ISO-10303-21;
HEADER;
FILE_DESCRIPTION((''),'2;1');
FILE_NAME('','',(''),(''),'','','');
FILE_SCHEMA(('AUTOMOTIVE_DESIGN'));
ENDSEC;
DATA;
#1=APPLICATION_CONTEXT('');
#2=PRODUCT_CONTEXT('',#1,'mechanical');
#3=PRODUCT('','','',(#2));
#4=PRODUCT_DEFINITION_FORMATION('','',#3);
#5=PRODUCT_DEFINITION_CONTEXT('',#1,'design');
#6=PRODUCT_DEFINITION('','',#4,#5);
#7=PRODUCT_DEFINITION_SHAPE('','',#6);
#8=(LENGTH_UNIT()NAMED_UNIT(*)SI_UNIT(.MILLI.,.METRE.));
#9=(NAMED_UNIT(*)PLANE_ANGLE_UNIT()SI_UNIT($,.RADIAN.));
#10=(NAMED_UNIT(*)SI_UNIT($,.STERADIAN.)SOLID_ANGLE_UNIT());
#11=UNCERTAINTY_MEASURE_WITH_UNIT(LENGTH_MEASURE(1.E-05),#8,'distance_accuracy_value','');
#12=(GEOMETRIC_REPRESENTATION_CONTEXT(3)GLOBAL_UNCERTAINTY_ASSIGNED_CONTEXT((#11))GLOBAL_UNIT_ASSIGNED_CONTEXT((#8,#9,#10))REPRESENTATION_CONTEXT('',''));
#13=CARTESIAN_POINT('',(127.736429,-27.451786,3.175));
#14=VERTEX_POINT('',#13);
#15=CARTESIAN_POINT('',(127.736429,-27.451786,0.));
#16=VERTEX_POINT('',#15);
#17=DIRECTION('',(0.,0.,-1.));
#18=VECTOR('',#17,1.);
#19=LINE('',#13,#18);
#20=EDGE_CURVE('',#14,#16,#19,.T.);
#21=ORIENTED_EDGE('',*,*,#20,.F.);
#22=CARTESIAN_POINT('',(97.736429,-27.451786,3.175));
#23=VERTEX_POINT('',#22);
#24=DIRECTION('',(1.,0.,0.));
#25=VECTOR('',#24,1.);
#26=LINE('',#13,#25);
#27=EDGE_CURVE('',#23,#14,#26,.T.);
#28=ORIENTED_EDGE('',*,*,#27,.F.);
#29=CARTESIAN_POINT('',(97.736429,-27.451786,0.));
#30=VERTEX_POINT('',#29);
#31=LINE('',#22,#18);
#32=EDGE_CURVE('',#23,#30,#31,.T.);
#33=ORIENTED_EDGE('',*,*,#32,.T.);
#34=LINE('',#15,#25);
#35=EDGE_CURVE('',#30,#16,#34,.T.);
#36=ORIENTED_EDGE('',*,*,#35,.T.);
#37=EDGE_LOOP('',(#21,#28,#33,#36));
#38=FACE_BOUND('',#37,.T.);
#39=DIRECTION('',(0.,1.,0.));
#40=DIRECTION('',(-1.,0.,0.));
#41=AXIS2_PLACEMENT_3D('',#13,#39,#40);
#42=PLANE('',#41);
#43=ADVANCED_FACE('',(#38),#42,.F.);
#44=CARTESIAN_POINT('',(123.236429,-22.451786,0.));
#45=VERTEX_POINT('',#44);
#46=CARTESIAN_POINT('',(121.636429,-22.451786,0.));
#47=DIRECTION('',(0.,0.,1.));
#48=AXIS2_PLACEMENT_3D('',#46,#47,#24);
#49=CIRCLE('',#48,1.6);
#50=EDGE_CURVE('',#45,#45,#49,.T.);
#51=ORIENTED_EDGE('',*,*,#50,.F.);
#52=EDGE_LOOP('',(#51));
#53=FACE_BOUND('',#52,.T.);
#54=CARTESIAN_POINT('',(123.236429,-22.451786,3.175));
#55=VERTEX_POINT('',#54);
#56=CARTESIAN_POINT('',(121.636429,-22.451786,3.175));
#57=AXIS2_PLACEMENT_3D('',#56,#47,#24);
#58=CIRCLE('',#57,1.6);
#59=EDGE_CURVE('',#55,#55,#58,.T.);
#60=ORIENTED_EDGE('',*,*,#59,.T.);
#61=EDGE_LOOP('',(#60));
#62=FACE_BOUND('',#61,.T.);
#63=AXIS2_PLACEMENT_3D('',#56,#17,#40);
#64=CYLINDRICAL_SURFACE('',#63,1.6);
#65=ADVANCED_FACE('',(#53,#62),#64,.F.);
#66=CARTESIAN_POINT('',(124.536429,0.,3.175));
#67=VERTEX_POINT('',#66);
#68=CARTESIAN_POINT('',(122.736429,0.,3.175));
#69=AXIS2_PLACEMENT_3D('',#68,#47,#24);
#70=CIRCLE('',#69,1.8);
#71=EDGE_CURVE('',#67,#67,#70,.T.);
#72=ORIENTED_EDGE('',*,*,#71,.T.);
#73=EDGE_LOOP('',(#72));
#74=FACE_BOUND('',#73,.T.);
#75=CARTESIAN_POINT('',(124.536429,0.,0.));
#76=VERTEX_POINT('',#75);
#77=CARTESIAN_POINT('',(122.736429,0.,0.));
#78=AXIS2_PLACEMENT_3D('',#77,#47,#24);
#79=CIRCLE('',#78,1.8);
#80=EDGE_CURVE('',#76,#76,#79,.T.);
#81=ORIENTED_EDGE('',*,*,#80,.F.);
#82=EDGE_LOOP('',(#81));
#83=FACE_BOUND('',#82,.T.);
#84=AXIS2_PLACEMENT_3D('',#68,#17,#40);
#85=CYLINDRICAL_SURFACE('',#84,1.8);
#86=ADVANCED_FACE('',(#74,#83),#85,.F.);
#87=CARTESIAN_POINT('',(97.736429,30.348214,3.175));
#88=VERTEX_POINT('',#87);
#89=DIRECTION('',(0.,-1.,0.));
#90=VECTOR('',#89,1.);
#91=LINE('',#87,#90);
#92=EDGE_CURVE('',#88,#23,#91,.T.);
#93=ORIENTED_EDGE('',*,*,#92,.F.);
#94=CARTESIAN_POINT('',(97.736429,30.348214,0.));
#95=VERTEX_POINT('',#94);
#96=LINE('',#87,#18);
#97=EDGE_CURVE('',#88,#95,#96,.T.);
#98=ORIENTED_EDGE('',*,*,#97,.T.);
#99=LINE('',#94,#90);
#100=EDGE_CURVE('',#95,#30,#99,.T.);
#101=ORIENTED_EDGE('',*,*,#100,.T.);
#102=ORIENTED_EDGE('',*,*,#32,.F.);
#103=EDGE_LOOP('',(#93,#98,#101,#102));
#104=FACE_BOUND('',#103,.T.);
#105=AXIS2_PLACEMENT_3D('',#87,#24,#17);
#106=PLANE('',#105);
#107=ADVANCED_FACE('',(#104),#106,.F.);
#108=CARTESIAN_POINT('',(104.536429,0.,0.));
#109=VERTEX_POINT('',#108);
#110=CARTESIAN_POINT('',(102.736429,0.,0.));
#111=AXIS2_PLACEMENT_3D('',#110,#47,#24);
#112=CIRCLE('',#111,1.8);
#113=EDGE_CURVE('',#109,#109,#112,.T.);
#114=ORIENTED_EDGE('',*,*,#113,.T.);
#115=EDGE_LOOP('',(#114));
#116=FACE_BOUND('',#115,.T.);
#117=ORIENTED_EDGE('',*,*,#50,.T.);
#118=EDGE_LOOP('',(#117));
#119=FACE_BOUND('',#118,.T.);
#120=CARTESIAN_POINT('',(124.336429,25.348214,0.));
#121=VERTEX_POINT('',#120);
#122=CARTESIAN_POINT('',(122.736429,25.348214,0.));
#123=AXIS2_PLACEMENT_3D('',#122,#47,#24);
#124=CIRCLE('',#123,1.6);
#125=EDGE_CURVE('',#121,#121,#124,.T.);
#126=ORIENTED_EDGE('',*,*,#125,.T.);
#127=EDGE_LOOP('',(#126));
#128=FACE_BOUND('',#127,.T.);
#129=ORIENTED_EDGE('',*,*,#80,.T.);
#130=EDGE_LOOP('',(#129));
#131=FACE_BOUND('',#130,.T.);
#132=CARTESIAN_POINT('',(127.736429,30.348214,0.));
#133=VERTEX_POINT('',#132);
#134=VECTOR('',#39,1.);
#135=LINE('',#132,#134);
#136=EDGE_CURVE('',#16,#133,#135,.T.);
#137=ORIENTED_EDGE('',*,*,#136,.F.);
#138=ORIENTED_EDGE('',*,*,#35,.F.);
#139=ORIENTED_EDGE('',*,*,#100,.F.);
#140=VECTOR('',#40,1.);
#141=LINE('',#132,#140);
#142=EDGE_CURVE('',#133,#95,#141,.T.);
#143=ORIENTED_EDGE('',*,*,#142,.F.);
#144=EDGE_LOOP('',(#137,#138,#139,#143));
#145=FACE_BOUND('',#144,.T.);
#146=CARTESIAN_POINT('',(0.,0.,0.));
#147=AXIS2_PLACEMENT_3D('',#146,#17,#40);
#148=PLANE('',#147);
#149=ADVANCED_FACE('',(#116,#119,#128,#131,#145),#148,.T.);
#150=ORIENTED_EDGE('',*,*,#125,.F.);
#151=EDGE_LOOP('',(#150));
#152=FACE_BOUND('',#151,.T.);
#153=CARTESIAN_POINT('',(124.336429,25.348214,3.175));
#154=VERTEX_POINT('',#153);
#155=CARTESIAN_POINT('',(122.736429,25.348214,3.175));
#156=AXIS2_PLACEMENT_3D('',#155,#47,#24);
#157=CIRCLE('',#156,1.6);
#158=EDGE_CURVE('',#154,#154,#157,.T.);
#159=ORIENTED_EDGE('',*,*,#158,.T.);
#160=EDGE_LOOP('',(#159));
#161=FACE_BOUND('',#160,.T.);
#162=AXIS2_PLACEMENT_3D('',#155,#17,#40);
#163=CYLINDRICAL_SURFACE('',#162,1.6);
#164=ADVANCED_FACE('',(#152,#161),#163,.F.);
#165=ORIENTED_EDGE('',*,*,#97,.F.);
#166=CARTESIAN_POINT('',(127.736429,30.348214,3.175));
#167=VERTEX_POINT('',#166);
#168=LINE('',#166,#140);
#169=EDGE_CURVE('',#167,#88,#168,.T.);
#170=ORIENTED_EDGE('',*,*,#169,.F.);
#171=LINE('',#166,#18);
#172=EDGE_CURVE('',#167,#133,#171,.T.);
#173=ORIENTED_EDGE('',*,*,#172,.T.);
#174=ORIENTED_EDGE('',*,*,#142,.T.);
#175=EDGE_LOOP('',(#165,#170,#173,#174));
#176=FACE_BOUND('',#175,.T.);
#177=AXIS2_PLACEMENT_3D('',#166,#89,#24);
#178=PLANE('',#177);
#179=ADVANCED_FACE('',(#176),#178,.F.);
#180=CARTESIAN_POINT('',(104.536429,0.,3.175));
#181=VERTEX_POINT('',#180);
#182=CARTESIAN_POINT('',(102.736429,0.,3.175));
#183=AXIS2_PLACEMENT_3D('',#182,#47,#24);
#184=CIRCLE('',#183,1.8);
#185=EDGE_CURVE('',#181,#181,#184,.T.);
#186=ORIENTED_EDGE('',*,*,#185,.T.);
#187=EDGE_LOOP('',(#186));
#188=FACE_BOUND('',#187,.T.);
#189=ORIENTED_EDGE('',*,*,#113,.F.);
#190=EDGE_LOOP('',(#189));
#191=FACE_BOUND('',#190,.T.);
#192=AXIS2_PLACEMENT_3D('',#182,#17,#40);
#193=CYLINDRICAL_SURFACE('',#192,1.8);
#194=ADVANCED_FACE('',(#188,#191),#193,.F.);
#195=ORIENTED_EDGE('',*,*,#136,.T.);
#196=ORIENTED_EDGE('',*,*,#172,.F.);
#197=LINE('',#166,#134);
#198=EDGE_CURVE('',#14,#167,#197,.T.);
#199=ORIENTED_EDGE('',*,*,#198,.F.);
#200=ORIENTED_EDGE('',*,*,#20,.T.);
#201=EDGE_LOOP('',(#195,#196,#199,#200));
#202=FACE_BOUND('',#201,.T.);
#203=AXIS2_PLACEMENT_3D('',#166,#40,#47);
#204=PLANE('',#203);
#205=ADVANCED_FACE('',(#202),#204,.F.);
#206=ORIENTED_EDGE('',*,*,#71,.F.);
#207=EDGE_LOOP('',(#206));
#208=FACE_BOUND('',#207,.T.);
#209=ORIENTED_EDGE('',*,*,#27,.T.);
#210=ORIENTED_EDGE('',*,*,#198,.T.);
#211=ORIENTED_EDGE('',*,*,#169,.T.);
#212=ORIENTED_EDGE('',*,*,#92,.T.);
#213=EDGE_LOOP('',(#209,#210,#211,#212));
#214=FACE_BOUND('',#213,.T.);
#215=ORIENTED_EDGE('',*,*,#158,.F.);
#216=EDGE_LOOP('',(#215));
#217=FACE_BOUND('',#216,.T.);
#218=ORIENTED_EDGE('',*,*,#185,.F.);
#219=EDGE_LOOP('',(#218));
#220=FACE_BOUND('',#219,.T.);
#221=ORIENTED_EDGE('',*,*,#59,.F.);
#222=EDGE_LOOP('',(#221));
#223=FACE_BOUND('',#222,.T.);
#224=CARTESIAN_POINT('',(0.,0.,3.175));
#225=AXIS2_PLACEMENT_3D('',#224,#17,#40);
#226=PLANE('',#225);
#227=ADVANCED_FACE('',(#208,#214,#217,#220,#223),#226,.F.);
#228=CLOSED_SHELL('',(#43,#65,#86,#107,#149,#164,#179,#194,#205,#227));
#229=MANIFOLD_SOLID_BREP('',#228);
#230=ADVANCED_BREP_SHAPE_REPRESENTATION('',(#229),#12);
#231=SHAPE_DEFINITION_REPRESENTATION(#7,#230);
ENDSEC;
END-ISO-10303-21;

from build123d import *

# Parameters (mm, degrees)
SKETCH1_W           = 30
SKETCH1_H           = 57.8
SKETCH1_R           = 1.6
SKETCH1_R_2         = 1.8
BOSS_EXTRUDE1_DEPTH = 3.175


with BuildPart() as part:
    # Sketch1 → Boss-Extrude1 (new body)
    with BuildSketch(Plane.XY):
        with Locations((112.736428571, 1.448214286)):
            Rectangle(SKETCH1_W, SKETCH1_H)
        with Locations((121.636428571, -22.451785714)):
            Circle(SKETCH1_R, mode=Mode.SUBTRACT)
        with Locations((122.736428571, 25.348214286)):
            Circle(SKETCH1_R, mode=Mode.SUBTRACT)
        with Locations((102.736428571, 0)):
            Circle(SKETCH1_R_2, mode=Mode.SUBTRACT)
        with Locations((122.736428571, 0)):
            Circle(SKETCH1_R_2, mode=Mode.SUBTRACT)
    extrude(amount=BOSS_EXTRUDE1_DEPTH)


solid = part.part
